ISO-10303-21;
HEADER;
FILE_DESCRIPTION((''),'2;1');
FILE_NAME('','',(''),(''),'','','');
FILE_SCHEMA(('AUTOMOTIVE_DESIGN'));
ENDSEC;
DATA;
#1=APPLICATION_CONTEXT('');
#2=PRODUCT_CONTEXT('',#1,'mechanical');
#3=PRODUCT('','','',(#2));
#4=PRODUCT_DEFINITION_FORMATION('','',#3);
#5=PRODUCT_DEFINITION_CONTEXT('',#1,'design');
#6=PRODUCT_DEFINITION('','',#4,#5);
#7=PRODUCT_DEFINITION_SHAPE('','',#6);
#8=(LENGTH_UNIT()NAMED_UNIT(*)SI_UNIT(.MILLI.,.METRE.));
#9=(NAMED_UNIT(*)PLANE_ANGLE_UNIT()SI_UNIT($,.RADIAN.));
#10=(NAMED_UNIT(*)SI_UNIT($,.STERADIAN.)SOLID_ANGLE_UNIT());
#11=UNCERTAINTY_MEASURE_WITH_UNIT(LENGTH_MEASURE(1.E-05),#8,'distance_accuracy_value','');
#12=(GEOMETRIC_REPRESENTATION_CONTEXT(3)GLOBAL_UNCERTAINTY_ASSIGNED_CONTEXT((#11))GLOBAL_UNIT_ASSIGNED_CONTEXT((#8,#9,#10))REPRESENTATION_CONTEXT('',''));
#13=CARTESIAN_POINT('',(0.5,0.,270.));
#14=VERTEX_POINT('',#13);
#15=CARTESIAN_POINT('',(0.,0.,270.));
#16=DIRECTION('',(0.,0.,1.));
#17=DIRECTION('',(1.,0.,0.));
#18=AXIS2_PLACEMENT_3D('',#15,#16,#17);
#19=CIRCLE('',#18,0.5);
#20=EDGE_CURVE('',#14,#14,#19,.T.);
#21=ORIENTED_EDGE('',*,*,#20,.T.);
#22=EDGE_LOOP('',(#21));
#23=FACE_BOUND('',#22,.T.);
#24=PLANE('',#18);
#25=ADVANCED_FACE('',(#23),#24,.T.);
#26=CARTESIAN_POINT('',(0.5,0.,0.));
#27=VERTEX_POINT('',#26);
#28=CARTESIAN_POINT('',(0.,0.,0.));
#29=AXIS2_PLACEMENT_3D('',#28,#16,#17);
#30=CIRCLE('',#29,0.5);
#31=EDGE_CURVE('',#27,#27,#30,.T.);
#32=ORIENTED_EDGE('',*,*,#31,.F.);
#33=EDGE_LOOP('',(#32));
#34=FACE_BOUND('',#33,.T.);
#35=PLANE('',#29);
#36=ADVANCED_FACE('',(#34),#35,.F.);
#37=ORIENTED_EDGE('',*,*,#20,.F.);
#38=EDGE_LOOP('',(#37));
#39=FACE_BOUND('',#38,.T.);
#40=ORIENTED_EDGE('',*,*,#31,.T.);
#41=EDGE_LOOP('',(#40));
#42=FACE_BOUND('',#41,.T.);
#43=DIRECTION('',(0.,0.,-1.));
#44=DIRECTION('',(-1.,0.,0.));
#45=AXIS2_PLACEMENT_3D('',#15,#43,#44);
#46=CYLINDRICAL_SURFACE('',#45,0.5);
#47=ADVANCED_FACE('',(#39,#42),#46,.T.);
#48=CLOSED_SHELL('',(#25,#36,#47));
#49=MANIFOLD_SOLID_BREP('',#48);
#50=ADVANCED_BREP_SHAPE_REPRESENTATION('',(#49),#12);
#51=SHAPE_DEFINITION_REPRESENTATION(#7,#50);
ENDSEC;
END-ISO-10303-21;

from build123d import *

# Parameters (mm, degrees)
SKETCH1_R           = 0.5
BOSS_EXTRUDE1_DEPTH = 270


with BuildPart() as part:
    # Sketch1 → Boss-Extrude1 (new body)
    with BuildSketch(Plane.XY):
        Circle(SKETCH1_R)
    extrude(amount=BOSS_EXTRUDE1_DEPTH)


solid = part.part
